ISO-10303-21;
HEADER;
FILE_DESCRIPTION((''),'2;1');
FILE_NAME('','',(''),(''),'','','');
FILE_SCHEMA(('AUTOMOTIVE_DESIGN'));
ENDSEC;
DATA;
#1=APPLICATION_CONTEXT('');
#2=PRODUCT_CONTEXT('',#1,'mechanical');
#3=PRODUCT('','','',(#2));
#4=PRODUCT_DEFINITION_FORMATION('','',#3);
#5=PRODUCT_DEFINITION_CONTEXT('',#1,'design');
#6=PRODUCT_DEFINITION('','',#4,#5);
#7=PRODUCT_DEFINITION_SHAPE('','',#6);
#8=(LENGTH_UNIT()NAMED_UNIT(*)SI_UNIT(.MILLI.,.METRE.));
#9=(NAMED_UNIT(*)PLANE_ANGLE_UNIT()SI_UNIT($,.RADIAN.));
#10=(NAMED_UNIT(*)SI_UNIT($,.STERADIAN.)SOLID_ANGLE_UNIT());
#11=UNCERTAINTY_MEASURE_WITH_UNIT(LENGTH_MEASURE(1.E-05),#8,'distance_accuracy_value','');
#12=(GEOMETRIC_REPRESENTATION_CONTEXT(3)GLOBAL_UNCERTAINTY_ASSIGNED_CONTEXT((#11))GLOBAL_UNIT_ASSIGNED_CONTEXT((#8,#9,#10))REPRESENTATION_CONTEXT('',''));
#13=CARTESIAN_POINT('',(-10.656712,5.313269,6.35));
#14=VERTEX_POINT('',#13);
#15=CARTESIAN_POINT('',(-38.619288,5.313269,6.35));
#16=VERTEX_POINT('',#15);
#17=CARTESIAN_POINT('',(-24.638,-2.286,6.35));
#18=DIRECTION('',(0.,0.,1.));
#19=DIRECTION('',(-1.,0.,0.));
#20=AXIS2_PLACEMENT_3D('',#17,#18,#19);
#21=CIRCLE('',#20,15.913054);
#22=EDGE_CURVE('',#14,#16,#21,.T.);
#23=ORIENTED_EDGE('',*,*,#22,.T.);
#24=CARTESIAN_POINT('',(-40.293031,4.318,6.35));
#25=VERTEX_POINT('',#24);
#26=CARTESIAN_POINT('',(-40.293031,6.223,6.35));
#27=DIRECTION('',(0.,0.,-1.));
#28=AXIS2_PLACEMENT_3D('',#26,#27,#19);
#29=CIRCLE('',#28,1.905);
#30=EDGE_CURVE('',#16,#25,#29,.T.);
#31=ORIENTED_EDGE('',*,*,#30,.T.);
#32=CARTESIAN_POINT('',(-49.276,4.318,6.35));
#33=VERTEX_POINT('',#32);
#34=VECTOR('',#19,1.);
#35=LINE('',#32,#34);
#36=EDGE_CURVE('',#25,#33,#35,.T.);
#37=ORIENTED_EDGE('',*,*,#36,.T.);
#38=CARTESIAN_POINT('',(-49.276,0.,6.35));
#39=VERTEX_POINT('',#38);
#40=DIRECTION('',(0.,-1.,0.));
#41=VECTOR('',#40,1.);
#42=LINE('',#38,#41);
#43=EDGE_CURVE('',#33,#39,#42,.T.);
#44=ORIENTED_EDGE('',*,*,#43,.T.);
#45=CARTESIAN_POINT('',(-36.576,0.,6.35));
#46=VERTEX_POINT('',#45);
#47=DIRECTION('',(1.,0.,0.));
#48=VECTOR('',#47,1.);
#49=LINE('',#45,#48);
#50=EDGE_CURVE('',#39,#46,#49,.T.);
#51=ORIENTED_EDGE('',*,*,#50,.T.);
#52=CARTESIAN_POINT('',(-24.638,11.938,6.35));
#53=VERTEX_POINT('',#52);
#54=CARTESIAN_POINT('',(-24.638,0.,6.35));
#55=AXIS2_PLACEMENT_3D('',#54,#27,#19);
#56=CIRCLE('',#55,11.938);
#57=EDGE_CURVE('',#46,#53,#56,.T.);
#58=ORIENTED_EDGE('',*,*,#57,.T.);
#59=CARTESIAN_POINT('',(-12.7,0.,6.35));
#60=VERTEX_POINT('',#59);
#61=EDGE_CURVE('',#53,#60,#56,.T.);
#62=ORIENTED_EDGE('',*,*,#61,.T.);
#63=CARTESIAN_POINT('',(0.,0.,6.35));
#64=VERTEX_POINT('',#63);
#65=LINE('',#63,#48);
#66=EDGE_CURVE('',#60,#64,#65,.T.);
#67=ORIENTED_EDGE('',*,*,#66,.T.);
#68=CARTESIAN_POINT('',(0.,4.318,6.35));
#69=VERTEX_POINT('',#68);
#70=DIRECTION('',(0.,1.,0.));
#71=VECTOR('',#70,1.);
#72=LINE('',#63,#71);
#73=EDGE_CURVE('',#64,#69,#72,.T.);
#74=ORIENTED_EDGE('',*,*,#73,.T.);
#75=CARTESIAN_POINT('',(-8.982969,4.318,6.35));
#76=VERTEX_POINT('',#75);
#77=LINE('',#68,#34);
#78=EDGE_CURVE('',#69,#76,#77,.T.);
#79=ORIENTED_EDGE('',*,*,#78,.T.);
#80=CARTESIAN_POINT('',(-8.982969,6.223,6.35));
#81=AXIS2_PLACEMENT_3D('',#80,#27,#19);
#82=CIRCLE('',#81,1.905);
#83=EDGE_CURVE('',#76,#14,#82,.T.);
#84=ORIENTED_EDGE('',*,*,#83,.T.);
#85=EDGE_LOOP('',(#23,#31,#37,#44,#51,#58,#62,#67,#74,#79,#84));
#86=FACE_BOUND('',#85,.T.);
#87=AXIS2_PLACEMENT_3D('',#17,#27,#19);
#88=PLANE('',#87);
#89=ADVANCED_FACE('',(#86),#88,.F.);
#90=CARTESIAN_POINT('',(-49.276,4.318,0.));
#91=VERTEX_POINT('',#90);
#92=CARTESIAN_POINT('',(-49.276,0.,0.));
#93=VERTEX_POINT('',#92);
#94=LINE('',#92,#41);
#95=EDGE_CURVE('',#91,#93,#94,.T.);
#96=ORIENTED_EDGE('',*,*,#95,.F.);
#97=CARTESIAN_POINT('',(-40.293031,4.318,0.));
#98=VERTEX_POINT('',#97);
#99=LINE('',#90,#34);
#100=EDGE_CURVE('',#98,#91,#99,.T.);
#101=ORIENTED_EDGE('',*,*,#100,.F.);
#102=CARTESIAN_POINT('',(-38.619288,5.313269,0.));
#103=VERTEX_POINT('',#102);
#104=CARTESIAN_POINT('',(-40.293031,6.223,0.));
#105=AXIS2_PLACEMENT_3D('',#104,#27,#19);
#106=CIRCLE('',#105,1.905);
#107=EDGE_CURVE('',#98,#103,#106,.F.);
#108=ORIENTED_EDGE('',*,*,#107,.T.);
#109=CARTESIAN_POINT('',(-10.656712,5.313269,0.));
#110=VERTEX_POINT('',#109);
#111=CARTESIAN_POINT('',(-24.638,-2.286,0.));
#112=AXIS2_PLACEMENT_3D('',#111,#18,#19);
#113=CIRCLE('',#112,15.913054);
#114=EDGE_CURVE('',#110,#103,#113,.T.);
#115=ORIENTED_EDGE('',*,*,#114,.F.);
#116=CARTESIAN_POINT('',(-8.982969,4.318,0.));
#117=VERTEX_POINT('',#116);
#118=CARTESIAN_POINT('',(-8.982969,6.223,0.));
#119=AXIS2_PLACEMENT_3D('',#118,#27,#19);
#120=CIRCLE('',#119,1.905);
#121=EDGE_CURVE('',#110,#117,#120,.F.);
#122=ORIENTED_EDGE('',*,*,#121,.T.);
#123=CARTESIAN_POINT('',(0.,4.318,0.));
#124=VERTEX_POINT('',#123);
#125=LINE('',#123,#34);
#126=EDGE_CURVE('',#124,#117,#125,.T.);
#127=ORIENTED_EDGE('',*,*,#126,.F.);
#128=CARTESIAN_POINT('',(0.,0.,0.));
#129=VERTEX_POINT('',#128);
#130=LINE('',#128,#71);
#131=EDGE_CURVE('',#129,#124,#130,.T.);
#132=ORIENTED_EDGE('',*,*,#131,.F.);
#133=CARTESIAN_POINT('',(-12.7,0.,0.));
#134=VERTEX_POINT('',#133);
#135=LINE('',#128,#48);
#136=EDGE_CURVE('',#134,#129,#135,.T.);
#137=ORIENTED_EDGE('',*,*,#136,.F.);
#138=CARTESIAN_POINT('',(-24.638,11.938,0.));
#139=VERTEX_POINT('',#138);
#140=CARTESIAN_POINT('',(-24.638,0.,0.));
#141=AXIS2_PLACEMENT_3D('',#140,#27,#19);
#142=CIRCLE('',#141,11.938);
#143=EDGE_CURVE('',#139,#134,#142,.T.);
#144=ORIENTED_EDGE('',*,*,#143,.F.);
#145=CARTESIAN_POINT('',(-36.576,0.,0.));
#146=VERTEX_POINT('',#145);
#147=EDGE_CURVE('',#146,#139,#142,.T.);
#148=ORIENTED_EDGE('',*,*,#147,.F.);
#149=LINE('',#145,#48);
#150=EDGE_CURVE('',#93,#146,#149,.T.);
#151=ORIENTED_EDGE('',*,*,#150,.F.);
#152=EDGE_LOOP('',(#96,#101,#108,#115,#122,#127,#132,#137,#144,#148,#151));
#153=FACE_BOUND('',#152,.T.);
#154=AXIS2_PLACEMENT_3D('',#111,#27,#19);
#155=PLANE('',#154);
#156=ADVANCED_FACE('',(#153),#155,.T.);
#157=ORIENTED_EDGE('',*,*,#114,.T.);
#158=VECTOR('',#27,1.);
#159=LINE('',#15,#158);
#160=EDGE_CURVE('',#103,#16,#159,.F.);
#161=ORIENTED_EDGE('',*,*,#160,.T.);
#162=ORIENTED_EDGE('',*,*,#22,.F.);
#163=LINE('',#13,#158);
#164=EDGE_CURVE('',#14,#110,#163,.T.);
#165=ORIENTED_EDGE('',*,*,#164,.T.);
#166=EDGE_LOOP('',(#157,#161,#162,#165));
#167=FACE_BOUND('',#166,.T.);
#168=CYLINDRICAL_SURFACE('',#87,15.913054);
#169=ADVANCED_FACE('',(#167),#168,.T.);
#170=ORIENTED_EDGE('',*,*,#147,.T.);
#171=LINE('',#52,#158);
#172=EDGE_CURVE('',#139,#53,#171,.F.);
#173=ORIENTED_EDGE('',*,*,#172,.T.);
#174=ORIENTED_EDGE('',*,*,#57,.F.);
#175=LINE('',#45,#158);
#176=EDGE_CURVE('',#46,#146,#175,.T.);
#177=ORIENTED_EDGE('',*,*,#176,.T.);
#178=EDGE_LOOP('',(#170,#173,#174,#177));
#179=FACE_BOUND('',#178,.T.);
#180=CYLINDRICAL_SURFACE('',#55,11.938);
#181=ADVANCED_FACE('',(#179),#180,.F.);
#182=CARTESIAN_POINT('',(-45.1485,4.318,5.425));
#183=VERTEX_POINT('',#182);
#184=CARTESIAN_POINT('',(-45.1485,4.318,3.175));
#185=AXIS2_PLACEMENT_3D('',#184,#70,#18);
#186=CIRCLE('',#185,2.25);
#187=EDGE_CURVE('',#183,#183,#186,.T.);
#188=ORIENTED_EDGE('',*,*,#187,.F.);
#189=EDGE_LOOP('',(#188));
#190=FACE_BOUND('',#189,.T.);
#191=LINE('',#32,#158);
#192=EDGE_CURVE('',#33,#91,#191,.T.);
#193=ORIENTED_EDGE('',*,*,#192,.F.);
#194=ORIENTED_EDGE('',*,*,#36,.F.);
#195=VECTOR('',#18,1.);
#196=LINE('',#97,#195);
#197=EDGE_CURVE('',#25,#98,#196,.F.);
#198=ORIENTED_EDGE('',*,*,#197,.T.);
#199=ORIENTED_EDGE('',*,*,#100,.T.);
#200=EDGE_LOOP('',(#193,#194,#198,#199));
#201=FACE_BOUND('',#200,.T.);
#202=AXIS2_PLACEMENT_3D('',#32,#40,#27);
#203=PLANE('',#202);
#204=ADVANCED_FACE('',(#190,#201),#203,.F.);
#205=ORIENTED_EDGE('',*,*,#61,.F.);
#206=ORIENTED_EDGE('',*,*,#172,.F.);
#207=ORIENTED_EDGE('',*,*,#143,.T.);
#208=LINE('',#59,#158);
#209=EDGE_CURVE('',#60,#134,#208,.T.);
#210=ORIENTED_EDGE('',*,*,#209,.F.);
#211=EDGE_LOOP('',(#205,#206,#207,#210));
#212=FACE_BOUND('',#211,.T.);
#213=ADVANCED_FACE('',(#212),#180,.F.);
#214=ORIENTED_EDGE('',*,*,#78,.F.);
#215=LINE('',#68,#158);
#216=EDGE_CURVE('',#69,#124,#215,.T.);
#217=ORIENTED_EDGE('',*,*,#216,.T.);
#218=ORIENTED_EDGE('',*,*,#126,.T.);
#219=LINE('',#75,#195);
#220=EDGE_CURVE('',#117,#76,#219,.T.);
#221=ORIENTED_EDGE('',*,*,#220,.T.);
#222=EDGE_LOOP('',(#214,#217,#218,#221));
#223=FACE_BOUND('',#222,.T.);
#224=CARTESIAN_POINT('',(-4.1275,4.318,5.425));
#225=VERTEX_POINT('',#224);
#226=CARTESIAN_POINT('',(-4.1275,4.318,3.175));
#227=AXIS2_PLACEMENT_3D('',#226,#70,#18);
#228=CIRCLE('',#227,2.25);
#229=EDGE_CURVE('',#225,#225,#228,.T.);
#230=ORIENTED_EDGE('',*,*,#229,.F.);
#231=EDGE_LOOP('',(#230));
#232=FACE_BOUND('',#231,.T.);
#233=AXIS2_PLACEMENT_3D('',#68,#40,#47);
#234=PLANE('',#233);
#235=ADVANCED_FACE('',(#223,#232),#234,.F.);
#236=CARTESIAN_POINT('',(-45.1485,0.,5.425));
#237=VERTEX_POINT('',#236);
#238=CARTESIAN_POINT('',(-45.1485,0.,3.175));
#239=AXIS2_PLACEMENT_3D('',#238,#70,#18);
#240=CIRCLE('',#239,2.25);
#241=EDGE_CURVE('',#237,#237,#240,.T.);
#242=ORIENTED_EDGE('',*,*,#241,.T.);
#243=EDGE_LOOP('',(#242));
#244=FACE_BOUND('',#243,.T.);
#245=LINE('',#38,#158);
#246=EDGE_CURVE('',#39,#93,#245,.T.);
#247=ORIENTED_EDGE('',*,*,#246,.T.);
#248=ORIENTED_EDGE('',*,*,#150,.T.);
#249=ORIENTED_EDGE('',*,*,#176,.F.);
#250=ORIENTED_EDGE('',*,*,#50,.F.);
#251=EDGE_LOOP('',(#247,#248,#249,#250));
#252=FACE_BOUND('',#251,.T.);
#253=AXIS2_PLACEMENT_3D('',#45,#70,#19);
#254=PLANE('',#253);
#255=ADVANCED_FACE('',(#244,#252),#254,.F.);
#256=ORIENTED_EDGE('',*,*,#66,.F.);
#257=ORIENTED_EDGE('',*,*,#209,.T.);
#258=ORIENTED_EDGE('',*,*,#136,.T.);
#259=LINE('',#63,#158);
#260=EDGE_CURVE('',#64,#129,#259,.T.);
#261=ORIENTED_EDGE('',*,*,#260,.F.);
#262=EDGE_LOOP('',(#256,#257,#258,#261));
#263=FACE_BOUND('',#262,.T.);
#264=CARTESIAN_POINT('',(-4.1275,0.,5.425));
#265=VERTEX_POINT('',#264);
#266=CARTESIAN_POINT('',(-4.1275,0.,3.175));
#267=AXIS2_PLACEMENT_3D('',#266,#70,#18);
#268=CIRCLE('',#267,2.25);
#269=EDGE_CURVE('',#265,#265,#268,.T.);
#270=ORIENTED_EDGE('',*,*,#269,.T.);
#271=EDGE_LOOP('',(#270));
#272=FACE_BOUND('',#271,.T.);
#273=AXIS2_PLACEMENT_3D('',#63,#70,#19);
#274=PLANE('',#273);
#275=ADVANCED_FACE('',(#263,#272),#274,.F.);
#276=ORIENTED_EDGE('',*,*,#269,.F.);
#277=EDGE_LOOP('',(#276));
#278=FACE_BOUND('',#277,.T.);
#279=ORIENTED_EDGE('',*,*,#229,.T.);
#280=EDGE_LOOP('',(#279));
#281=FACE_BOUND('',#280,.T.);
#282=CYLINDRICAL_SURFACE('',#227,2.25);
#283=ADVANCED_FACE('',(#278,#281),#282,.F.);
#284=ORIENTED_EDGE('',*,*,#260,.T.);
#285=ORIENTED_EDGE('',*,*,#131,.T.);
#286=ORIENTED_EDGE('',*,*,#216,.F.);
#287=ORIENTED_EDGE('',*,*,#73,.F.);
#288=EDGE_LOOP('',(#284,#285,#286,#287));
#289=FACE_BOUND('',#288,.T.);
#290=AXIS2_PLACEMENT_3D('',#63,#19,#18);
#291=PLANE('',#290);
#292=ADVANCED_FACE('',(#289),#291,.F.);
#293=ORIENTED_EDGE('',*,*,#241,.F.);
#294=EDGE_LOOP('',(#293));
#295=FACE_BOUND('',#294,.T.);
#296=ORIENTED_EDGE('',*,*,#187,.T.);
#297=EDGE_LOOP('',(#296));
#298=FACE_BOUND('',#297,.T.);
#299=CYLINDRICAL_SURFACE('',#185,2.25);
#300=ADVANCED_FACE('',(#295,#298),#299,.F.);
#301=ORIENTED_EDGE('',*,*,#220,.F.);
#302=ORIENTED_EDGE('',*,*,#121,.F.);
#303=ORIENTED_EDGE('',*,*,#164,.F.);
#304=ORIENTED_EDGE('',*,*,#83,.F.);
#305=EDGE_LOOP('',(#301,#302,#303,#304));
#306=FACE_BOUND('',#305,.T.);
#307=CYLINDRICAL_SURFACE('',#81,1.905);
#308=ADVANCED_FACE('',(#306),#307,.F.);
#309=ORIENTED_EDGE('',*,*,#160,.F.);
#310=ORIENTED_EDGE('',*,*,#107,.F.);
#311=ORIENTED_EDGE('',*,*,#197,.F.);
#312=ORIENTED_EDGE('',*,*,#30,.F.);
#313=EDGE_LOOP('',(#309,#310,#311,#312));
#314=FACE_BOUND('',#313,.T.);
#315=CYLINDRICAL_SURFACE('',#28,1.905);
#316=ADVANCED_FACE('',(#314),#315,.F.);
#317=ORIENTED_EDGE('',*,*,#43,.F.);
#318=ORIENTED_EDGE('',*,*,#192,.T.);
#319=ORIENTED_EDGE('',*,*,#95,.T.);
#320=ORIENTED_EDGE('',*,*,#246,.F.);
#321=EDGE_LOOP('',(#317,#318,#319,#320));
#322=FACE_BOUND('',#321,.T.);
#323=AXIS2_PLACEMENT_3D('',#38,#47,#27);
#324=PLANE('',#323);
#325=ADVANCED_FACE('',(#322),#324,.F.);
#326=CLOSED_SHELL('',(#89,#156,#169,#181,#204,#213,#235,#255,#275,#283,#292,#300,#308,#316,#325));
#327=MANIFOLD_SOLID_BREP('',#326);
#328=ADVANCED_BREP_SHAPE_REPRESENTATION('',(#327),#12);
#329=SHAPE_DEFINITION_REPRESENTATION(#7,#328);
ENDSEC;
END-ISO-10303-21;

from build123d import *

# Parameters (mm, degrees)
BOSS_EXTRUDE1_DEPTH  = 6.35
M4_CLEARANCE_HOLE1_D = 4.5
FILLET1_R            = 1.905


with BuildPart() as part:
    # Sketch1 → Boss-Extrude1 (new body)
    with BuildSketch(Plane.XY):
        with BuildLine():
            Line((0, 0), (-12.7, 0))
            ThreePointArc((-12.7, 0), (-24.638, 11.938), (-36.576, 0))
            Line((-36.576, 0), (-49.276, 0))
            Line((-49.276, 0), (-49.276, 4.318))
            Line((-49.276, 4.318), (-39.116, 4.318))
            ThreePointArc((-39.116, 4.318), (-24.638, 13.627054389), (-10.16, 4.318))
            Line((-10.16, 4.318), (0, 4.318))
            Line((0, 4.318), (0, 0))
        make_face()
    extrude(amount=BOSS_EXTRUDE1_DEPTH)

    # M4 Clearance Hole1 (through all)
    with Locations(Plane(origin=(0, 4.318, 0), x_dir=(1, 0, 0), z_dir=(0, 1, 0))):
        with Locations((-4.1275, -3.175)):
            m4_clearance_hole1 = Hole(M4_CLEARANCE_HOLE1_D / 2)

    # Fillet1
    fillet1_edges = [part.edges().sort_by_distance(p)[0] for p in [
        (-39.116, 4.318, 3.175),
        (-10.16, 4.318, 3.175),
    ]]
    fillet(fillet1_edges, radius=FILLET1_R)

    # Mirror1: M4 Clearance Hole1 across plane
    add(m4_clearance_hole1.mirror(Plane(origin=(-24.638, 0, 0), x_dir=(0, 0, 1), z_dir=(1, 0, 0))), mode=Mode.SUBTRACT)


solid = part.part
